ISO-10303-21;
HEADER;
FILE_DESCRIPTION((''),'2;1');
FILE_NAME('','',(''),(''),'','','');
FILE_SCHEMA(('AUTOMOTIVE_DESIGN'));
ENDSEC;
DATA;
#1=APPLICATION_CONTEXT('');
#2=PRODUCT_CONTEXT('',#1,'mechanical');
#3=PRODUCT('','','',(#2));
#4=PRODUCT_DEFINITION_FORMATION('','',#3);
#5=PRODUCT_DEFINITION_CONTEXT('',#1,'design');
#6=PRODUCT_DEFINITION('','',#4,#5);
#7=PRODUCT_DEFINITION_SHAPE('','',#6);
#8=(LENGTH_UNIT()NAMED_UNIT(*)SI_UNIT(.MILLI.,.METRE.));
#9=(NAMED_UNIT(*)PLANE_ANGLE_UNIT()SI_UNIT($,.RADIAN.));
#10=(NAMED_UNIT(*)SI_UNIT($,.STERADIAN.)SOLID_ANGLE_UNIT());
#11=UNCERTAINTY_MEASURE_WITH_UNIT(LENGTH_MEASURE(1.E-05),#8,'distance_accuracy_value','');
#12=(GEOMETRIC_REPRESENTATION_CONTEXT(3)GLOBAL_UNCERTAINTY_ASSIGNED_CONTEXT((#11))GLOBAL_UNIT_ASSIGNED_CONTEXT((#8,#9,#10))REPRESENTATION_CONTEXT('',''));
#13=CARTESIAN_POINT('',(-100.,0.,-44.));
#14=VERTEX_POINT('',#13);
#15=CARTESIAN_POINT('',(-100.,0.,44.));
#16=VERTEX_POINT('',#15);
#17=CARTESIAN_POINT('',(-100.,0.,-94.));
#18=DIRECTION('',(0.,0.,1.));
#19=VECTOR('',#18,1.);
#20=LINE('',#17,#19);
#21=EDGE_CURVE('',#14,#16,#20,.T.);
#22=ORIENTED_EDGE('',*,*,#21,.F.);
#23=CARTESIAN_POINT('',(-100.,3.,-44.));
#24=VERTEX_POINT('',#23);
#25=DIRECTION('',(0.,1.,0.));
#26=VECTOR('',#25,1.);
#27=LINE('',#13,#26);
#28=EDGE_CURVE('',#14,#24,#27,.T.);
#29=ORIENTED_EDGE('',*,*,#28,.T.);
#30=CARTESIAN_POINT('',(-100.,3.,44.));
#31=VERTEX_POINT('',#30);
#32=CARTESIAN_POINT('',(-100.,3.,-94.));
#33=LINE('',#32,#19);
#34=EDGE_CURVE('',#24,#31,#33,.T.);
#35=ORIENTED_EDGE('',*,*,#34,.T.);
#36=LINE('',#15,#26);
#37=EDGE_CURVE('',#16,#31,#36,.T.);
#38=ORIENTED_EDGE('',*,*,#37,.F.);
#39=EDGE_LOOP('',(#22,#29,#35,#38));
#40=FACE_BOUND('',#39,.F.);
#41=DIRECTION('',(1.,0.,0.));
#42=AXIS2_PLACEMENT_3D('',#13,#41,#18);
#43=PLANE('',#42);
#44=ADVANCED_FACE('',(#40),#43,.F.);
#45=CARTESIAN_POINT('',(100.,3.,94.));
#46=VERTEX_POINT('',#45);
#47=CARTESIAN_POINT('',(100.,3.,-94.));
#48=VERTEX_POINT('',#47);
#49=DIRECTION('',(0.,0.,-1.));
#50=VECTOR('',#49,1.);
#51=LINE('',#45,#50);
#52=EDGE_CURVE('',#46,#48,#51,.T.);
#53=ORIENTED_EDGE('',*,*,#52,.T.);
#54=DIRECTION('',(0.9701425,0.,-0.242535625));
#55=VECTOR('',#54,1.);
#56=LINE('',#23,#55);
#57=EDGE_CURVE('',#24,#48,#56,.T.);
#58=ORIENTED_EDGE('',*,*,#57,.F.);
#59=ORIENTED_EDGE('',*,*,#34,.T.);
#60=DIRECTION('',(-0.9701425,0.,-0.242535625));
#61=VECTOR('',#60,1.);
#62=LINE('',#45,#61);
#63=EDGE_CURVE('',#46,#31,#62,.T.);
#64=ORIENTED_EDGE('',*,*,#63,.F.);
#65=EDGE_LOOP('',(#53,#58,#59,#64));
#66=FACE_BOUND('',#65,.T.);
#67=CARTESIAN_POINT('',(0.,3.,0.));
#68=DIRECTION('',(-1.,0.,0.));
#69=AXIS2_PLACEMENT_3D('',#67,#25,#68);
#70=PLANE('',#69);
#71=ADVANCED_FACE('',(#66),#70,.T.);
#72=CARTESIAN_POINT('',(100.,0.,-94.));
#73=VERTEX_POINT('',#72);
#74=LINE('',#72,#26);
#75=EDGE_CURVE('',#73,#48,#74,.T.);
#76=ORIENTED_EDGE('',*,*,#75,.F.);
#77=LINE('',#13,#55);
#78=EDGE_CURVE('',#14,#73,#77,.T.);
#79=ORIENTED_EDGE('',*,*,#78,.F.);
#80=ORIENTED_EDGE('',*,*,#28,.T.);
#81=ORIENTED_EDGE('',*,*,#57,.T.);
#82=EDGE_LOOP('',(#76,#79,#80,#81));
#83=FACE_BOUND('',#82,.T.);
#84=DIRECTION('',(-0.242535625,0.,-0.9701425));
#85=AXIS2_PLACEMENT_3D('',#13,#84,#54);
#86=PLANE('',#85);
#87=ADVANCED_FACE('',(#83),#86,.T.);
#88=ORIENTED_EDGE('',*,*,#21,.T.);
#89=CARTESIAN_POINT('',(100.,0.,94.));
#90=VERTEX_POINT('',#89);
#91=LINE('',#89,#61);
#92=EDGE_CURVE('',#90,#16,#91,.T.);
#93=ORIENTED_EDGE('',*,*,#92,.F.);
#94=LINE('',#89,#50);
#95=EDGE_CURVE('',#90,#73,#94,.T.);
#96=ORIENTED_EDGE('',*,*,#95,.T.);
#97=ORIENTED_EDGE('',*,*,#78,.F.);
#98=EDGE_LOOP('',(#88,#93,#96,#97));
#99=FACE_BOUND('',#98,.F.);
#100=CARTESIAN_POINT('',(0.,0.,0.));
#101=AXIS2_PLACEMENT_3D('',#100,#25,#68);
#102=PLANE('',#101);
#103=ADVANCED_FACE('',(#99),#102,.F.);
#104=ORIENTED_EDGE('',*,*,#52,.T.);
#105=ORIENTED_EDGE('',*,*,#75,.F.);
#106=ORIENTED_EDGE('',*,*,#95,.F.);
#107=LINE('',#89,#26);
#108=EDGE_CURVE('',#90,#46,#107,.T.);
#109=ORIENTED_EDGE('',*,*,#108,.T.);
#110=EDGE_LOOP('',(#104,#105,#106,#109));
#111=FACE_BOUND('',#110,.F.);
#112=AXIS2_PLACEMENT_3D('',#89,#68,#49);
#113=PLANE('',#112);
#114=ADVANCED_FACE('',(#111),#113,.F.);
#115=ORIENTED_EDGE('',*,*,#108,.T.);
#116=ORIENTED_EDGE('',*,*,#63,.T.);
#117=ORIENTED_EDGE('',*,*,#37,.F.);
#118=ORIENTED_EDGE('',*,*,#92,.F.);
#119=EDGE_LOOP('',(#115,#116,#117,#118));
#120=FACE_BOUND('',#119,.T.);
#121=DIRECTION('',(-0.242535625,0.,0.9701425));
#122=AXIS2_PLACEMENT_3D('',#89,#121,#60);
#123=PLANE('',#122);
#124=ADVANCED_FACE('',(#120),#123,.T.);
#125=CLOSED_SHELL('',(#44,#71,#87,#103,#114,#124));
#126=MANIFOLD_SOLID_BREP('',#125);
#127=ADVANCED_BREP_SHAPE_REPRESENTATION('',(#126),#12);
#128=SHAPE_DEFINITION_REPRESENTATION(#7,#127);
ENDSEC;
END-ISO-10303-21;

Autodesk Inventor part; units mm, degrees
ref_plane "YZ Plane" through (0, 0, 0) normal (1, 0, 0) x (0, 1, 0)
ref_plane "XZ Plane" through (0, 0, 0) normal (0, 1, 0) x (-1, 0, 0)
ref_plane "XY Plane" through (0, 0, 0) normal (0, 0, 1) x (1, 0, 0)
sketch "Sketch1" plane through (0, 0, 0) normal (0, 1, 0) x (-1, 0, 0)
  line L0 (100, 94) -> (-100, 94)
  line L1 (-100, 94) -> (-100, -94)
  line L2 (-100, -94) -> (100, -94)
  line L3 (100, -94) -> (100, 94)
  line L4 (100, 94) -> (-100, -94) construction
  line L5 (-100, 94) -> (100, -94) construction
  line L6 (-100, 94) -> (100, 44)
  line L7 (100, -44) -> (-100, -94)
  point P0 (0, 0)
  point P1 (-100, -94)
  dimension "d0" = 188
  dimension "d1" = 200
  dimension "d2" = 50
  dimension "d3" = 50
  dimension "d4" = 0
extrude "Extrusion1" add sketch "Sketch1" along normal blind 3 contours L6 L3 L7 L1
properties part number "AI-TopPlateRS3"
